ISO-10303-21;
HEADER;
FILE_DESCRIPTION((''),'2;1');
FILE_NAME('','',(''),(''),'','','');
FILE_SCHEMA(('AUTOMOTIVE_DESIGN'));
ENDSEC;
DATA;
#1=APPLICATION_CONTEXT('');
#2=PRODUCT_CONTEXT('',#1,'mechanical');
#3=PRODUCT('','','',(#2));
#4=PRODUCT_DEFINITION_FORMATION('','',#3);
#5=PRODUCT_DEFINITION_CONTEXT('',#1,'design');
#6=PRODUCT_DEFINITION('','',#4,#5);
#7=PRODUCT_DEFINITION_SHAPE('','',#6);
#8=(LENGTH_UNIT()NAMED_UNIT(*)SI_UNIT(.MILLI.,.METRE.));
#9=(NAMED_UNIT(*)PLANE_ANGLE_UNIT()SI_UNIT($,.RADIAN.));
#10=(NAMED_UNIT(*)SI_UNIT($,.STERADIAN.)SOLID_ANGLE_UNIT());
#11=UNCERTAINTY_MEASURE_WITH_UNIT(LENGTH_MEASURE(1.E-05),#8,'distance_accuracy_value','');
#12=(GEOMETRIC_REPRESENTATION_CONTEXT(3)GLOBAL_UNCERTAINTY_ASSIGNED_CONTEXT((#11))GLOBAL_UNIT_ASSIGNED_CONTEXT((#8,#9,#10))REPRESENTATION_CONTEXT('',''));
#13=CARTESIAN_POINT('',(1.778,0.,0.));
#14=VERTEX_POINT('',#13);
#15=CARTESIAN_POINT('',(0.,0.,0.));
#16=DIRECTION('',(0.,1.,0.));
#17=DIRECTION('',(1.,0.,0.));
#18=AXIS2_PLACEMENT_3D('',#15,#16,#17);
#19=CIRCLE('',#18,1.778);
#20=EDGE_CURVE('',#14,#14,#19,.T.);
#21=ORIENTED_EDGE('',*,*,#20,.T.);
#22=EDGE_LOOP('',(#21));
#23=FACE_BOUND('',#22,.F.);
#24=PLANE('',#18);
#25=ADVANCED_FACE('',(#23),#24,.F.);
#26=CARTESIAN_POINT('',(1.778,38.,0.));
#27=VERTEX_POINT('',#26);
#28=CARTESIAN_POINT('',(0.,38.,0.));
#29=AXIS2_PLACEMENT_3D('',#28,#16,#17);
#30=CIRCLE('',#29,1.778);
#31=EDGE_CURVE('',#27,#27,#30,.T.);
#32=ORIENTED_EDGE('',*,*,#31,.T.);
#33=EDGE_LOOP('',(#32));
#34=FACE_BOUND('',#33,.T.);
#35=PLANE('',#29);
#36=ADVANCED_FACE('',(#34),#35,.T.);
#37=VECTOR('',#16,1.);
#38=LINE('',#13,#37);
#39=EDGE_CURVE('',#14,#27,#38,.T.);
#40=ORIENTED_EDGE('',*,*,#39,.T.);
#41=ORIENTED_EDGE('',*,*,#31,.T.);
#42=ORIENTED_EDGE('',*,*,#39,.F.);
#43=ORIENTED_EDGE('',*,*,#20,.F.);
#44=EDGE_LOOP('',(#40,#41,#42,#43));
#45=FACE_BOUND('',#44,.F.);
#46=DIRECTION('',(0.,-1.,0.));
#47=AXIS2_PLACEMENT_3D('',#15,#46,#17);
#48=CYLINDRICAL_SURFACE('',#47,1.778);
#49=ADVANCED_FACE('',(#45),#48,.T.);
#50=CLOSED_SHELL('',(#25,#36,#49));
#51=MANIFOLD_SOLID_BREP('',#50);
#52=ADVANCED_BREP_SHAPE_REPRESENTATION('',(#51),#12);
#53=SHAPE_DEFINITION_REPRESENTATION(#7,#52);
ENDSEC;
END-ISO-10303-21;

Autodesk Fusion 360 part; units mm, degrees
sketch "Sketch1" plane through (0, 0, 0) normal (0, 1, 0) x (1, 0, 0)
  circle A0 centre (0, 0) radius 1.778
  dimension "d1" = 3.556
extrude "Extrude1" add sketch "Sketch1" along normal blind 38
